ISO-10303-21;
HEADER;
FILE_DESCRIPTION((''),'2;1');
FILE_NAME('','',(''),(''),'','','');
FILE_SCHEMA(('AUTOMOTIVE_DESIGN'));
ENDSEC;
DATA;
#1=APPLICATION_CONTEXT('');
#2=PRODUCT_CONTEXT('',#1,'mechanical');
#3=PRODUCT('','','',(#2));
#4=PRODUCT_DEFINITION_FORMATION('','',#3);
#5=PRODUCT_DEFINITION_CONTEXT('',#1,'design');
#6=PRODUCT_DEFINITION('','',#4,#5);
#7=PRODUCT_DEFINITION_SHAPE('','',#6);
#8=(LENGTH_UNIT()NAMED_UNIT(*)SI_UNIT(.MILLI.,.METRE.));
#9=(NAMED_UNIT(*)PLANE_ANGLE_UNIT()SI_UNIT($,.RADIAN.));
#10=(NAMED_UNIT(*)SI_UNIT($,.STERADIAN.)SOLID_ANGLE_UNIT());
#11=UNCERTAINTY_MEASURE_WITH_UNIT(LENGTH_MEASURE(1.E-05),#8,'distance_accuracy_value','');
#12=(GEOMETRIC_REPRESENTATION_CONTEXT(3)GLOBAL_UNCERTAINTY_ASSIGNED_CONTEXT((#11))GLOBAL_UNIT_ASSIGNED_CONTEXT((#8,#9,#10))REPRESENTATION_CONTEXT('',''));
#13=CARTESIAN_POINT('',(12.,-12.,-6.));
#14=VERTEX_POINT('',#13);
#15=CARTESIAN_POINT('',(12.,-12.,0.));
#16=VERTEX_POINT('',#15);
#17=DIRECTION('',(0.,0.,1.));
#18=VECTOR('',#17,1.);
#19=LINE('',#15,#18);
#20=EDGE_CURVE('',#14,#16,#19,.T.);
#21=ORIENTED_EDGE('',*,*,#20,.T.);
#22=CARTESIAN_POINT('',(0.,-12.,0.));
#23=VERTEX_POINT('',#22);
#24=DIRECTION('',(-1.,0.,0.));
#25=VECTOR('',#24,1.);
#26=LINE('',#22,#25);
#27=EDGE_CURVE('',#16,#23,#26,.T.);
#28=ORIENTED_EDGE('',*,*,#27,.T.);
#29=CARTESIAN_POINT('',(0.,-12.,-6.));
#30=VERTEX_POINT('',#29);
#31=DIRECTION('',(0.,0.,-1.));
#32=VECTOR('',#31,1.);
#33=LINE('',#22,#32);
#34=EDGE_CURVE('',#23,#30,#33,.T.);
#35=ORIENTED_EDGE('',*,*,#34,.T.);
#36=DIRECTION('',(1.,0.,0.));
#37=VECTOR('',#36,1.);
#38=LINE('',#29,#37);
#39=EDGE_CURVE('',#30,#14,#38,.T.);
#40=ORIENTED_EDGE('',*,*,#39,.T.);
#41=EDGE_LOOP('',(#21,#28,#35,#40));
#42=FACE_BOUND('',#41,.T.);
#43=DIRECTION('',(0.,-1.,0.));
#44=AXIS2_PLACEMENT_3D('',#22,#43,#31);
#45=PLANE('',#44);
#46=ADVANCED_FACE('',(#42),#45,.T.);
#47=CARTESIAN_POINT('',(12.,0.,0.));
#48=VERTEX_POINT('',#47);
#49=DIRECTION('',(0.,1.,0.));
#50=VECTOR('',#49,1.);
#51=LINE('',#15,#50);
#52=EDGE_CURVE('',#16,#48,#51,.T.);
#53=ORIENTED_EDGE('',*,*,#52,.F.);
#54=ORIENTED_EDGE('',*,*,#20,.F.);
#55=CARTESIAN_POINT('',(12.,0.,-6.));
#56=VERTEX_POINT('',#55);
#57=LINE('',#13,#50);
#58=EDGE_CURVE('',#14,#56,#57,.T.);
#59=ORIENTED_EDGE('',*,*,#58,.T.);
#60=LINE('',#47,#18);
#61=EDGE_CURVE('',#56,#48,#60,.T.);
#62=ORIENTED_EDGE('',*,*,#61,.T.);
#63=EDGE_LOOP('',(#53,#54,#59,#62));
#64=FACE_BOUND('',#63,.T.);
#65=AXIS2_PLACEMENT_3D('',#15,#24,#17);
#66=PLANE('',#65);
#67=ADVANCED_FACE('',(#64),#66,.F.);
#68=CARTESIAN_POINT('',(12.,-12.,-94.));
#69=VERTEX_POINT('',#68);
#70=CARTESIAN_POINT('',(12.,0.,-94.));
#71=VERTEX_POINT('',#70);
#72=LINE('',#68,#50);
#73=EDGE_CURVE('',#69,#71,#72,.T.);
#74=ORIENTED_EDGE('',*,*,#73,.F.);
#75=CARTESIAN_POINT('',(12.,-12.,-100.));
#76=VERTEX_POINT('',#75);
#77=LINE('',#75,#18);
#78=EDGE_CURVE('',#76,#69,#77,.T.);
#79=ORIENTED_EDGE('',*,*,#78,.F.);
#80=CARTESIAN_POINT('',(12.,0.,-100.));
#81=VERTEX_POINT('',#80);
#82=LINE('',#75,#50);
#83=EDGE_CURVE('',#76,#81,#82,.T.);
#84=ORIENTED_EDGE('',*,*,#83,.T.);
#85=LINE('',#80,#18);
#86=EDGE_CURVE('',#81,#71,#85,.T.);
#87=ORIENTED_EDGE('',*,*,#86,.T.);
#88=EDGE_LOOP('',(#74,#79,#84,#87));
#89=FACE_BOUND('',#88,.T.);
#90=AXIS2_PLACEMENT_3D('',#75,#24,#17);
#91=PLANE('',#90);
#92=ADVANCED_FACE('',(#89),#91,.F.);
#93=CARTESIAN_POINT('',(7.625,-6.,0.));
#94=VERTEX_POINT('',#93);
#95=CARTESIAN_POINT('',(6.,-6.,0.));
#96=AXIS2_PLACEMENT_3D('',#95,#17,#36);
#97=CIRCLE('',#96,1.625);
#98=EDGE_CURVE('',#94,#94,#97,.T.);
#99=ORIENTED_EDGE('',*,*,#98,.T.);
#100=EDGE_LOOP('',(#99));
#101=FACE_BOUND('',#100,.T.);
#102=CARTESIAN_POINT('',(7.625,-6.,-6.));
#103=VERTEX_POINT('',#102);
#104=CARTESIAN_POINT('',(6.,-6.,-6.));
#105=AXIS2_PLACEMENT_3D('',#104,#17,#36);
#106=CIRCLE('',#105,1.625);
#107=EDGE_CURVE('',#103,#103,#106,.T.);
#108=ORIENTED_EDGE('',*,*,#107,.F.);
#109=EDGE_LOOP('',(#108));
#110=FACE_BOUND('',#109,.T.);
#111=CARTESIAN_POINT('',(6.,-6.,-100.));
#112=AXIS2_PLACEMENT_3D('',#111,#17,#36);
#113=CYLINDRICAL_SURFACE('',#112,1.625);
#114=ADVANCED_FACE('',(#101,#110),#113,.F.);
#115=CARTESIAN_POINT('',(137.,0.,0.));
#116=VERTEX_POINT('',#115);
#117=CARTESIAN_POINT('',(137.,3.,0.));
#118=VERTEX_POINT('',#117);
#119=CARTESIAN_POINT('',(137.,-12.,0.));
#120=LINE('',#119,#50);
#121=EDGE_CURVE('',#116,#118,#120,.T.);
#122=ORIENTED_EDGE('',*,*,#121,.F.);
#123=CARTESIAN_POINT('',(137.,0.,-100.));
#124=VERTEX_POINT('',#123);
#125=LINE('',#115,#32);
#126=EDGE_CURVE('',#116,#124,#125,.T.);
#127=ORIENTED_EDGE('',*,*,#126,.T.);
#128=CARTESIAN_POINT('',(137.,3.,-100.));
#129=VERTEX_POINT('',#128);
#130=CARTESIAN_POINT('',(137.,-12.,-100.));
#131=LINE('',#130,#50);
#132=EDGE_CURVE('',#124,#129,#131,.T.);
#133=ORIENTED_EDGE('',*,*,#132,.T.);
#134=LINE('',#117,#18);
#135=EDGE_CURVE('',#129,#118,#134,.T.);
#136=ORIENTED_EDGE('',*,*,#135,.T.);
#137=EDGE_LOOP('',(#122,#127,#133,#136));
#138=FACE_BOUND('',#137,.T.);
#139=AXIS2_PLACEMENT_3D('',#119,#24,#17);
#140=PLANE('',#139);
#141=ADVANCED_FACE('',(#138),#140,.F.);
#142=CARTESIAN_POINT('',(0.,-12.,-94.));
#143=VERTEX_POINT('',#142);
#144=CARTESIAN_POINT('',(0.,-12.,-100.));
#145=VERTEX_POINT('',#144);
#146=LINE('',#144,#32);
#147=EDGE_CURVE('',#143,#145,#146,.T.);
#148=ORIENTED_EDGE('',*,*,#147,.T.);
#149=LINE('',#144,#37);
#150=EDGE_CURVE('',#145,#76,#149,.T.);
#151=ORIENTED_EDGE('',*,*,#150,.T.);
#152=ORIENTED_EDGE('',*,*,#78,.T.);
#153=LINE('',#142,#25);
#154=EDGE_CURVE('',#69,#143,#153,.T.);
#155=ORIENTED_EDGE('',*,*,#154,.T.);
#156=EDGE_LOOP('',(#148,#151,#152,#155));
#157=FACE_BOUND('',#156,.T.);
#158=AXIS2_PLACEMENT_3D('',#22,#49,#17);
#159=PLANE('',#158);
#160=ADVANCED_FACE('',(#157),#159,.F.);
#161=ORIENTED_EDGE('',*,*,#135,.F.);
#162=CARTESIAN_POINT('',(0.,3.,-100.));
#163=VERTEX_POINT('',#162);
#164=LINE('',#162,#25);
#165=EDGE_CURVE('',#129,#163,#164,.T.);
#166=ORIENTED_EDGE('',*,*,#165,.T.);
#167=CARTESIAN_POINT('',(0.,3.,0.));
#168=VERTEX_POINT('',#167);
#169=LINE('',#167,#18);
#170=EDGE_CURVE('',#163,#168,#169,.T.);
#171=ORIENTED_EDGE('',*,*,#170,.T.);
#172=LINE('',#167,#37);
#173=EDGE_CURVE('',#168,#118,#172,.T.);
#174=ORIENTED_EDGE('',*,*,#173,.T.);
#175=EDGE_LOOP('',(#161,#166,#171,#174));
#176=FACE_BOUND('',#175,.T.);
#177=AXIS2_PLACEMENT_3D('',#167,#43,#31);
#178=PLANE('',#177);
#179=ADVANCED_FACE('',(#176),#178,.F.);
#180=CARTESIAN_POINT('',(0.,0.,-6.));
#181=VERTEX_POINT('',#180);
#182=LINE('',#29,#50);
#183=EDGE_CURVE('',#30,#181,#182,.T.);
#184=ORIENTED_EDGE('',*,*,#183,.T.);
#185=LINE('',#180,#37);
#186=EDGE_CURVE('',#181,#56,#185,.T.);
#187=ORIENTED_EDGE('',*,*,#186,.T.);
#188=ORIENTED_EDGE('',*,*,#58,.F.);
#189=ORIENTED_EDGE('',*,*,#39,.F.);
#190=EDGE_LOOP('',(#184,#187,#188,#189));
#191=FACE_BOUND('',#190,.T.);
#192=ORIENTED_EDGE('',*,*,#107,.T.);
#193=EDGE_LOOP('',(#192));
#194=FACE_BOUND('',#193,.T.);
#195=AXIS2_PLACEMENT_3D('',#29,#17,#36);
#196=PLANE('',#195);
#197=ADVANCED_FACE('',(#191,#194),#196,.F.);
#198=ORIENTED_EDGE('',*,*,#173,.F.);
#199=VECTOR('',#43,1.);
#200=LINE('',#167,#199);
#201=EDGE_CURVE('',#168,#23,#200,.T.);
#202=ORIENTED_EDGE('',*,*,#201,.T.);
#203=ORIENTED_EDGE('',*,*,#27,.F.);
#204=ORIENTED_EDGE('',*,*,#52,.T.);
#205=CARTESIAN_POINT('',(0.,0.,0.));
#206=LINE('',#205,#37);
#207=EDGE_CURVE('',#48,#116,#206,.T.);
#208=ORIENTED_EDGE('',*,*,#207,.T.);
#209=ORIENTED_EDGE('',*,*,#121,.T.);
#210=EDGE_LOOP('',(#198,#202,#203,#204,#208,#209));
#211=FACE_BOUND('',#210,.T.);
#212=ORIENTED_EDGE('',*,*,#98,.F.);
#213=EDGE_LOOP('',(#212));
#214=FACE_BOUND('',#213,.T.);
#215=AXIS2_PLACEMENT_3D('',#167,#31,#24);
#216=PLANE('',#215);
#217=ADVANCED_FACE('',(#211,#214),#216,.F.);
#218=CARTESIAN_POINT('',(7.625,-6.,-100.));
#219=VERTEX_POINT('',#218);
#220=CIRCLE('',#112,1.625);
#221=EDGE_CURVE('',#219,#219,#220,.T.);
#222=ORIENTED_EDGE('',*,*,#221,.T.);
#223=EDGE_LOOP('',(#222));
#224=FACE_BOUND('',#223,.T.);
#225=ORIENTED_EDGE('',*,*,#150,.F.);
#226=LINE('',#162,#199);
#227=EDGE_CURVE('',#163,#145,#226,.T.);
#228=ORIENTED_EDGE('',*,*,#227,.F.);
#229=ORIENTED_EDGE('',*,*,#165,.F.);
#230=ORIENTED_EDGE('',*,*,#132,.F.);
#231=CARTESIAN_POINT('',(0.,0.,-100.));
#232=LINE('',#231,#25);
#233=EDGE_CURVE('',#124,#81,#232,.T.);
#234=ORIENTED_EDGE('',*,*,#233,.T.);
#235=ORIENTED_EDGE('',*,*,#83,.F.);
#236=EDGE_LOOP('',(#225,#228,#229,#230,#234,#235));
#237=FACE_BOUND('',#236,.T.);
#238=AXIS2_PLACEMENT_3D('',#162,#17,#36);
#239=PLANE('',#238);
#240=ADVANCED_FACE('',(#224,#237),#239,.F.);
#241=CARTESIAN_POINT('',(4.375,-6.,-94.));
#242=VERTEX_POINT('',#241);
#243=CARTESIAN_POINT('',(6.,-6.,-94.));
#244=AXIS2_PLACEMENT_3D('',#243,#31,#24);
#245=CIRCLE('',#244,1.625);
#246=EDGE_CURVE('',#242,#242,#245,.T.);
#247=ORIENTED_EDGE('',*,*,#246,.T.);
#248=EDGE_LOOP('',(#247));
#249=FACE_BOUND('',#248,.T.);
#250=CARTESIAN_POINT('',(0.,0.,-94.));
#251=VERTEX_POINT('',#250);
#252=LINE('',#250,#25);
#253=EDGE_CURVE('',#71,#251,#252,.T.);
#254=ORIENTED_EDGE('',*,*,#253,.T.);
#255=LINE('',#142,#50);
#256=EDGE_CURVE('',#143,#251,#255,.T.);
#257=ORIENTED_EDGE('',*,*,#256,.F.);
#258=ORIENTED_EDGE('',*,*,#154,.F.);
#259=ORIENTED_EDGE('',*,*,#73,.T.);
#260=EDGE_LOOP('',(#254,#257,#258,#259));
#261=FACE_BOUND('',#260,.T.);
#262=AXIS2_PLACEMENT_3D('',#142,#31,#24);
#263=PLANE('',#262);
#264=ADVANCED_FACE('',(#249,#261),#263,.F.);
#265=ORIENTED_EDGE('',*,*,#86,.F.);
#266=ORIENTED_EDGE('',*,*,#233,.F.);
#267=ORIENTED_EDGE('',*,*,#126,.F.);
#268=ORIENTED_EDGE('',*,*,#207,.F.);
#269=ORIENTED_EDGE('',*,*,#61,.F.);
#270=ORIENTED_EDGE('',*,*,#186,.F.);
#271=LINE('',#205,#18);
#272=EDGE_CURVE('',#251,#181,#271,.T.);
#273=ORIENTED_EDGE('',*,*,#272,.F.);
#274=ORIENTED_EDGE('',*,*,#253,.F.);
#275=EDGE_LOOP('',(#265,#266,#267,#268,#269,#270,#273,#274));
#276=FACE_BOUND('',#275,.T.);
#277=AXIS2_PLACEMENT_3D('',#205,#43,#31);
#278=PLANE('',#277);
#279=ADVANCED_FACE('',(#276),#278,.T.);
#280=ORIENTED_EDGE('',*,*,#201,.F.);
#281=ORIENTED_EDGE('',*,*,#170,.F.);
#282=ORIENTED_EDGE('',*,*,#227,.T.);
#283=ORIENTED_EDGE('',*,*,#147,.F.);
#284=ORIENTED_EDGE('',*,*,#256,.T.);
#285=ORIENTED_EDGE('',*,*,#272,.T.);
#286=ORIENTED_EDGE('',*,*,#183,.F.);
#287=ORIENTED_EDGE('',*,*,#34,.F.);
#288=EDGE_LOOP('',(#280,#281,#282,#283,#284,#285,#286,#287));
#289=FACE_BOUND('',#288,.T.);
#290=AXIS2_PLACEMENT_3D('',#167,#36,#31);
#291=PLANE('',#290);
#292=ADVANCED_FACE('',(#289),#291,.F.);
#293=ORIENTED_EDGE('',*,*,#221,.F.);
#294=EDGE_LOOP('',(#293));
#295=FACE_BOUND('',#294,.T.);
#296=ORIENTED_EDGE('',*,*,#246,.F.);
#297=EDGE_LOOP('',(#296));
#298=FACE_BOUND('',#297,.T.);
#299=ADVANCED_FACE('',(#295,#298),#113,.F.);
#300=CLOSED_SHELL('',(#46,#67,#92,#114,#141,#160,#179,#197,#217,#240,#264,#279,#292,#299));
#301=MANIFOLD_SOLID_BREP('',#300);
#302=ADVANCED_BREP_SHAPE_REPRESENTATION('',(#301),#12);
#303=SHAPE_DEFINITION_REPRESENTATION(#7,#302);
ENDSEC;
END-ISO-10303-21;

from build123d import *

# Parameters (mm, degrees)
SKETCH1_W           = 150
SKETCH1_H           = 100
BOSS_EXTRUDE1_DEPTH = 3
SKETCH2_W           = 12
SKETCH2_H           = 6
BOSS_EXTRUDE2_DEPTH = 12
SKETCH4_R           = 1.625
CUT_EXTRUDE1_DEPTH  = 181.676506497
SKETCH5_W           = 13
SKETCH5_H           = 100
CUT_EXTRUDE2_DEPTH  = 181.900525151


with BuildPart() as part:
    # Sketch1 → Boss-Extrude1 (new body)
    with BuildSketch(Plane(origin=(0, 0, 0), x_dir=(1, 0, 0), z_dir=(0, 1, 0))):
        with Locations((75, 50)):
            Rectangle(SKETCH1_W, SKETCH1_H)
    extrude(amount=BOSS_EXTRUDE1_DEPTH)

    # Sketch2 → Boss-Extrude2 (add)
    with BuildSketch(Plane.XZ):
        with Locations((6, -3)):
            Rectangle(SKETCH2_W, SKETCH2_H)
        with Locations((144, -3)):
            Rectangle(SKETCH2_W, SKETCH2_H)
        with Locations((144, -97)):
            Rectangle(SKETCH2_W, SKETCH2_H)
        with Locations((6, -97)):
            Rectangle(SKETCH2_W, SKETCH2_H)
    extrude(amount=BOSS_EXTRUDE2_DEPTH)

    # Sketch4 → Cut-Extrude1 (cut, through all)
    with BuildSketch(Plane.XY):
        with Locations((6, -6)):
            Circle(SKETCH4_R)
        with Locations(Location((144, -6, 0), (0, 0, 180))):
            Circle(SKETCH4_R)
    extrude(amount=-CUT_EXTRUDE1_DEPTH, mode=Mode.SUBTRACT)

    # Sketch5 → Cut-Extrude2 (cut, through all)
    with BuildSketch(Plane(origin=(0, 3, 0), x_dir=(1, 0, 0), z_dir=(0, 1, 0))):
        with Locations((143.5, 50)):
            Rectangle(SKETCH5_W, SKETCH5_H)
    extrude(amount=-CUT_EXTRUDE2_DEPTH, mode=Mode.SUBTRACT)


solid = part.part
